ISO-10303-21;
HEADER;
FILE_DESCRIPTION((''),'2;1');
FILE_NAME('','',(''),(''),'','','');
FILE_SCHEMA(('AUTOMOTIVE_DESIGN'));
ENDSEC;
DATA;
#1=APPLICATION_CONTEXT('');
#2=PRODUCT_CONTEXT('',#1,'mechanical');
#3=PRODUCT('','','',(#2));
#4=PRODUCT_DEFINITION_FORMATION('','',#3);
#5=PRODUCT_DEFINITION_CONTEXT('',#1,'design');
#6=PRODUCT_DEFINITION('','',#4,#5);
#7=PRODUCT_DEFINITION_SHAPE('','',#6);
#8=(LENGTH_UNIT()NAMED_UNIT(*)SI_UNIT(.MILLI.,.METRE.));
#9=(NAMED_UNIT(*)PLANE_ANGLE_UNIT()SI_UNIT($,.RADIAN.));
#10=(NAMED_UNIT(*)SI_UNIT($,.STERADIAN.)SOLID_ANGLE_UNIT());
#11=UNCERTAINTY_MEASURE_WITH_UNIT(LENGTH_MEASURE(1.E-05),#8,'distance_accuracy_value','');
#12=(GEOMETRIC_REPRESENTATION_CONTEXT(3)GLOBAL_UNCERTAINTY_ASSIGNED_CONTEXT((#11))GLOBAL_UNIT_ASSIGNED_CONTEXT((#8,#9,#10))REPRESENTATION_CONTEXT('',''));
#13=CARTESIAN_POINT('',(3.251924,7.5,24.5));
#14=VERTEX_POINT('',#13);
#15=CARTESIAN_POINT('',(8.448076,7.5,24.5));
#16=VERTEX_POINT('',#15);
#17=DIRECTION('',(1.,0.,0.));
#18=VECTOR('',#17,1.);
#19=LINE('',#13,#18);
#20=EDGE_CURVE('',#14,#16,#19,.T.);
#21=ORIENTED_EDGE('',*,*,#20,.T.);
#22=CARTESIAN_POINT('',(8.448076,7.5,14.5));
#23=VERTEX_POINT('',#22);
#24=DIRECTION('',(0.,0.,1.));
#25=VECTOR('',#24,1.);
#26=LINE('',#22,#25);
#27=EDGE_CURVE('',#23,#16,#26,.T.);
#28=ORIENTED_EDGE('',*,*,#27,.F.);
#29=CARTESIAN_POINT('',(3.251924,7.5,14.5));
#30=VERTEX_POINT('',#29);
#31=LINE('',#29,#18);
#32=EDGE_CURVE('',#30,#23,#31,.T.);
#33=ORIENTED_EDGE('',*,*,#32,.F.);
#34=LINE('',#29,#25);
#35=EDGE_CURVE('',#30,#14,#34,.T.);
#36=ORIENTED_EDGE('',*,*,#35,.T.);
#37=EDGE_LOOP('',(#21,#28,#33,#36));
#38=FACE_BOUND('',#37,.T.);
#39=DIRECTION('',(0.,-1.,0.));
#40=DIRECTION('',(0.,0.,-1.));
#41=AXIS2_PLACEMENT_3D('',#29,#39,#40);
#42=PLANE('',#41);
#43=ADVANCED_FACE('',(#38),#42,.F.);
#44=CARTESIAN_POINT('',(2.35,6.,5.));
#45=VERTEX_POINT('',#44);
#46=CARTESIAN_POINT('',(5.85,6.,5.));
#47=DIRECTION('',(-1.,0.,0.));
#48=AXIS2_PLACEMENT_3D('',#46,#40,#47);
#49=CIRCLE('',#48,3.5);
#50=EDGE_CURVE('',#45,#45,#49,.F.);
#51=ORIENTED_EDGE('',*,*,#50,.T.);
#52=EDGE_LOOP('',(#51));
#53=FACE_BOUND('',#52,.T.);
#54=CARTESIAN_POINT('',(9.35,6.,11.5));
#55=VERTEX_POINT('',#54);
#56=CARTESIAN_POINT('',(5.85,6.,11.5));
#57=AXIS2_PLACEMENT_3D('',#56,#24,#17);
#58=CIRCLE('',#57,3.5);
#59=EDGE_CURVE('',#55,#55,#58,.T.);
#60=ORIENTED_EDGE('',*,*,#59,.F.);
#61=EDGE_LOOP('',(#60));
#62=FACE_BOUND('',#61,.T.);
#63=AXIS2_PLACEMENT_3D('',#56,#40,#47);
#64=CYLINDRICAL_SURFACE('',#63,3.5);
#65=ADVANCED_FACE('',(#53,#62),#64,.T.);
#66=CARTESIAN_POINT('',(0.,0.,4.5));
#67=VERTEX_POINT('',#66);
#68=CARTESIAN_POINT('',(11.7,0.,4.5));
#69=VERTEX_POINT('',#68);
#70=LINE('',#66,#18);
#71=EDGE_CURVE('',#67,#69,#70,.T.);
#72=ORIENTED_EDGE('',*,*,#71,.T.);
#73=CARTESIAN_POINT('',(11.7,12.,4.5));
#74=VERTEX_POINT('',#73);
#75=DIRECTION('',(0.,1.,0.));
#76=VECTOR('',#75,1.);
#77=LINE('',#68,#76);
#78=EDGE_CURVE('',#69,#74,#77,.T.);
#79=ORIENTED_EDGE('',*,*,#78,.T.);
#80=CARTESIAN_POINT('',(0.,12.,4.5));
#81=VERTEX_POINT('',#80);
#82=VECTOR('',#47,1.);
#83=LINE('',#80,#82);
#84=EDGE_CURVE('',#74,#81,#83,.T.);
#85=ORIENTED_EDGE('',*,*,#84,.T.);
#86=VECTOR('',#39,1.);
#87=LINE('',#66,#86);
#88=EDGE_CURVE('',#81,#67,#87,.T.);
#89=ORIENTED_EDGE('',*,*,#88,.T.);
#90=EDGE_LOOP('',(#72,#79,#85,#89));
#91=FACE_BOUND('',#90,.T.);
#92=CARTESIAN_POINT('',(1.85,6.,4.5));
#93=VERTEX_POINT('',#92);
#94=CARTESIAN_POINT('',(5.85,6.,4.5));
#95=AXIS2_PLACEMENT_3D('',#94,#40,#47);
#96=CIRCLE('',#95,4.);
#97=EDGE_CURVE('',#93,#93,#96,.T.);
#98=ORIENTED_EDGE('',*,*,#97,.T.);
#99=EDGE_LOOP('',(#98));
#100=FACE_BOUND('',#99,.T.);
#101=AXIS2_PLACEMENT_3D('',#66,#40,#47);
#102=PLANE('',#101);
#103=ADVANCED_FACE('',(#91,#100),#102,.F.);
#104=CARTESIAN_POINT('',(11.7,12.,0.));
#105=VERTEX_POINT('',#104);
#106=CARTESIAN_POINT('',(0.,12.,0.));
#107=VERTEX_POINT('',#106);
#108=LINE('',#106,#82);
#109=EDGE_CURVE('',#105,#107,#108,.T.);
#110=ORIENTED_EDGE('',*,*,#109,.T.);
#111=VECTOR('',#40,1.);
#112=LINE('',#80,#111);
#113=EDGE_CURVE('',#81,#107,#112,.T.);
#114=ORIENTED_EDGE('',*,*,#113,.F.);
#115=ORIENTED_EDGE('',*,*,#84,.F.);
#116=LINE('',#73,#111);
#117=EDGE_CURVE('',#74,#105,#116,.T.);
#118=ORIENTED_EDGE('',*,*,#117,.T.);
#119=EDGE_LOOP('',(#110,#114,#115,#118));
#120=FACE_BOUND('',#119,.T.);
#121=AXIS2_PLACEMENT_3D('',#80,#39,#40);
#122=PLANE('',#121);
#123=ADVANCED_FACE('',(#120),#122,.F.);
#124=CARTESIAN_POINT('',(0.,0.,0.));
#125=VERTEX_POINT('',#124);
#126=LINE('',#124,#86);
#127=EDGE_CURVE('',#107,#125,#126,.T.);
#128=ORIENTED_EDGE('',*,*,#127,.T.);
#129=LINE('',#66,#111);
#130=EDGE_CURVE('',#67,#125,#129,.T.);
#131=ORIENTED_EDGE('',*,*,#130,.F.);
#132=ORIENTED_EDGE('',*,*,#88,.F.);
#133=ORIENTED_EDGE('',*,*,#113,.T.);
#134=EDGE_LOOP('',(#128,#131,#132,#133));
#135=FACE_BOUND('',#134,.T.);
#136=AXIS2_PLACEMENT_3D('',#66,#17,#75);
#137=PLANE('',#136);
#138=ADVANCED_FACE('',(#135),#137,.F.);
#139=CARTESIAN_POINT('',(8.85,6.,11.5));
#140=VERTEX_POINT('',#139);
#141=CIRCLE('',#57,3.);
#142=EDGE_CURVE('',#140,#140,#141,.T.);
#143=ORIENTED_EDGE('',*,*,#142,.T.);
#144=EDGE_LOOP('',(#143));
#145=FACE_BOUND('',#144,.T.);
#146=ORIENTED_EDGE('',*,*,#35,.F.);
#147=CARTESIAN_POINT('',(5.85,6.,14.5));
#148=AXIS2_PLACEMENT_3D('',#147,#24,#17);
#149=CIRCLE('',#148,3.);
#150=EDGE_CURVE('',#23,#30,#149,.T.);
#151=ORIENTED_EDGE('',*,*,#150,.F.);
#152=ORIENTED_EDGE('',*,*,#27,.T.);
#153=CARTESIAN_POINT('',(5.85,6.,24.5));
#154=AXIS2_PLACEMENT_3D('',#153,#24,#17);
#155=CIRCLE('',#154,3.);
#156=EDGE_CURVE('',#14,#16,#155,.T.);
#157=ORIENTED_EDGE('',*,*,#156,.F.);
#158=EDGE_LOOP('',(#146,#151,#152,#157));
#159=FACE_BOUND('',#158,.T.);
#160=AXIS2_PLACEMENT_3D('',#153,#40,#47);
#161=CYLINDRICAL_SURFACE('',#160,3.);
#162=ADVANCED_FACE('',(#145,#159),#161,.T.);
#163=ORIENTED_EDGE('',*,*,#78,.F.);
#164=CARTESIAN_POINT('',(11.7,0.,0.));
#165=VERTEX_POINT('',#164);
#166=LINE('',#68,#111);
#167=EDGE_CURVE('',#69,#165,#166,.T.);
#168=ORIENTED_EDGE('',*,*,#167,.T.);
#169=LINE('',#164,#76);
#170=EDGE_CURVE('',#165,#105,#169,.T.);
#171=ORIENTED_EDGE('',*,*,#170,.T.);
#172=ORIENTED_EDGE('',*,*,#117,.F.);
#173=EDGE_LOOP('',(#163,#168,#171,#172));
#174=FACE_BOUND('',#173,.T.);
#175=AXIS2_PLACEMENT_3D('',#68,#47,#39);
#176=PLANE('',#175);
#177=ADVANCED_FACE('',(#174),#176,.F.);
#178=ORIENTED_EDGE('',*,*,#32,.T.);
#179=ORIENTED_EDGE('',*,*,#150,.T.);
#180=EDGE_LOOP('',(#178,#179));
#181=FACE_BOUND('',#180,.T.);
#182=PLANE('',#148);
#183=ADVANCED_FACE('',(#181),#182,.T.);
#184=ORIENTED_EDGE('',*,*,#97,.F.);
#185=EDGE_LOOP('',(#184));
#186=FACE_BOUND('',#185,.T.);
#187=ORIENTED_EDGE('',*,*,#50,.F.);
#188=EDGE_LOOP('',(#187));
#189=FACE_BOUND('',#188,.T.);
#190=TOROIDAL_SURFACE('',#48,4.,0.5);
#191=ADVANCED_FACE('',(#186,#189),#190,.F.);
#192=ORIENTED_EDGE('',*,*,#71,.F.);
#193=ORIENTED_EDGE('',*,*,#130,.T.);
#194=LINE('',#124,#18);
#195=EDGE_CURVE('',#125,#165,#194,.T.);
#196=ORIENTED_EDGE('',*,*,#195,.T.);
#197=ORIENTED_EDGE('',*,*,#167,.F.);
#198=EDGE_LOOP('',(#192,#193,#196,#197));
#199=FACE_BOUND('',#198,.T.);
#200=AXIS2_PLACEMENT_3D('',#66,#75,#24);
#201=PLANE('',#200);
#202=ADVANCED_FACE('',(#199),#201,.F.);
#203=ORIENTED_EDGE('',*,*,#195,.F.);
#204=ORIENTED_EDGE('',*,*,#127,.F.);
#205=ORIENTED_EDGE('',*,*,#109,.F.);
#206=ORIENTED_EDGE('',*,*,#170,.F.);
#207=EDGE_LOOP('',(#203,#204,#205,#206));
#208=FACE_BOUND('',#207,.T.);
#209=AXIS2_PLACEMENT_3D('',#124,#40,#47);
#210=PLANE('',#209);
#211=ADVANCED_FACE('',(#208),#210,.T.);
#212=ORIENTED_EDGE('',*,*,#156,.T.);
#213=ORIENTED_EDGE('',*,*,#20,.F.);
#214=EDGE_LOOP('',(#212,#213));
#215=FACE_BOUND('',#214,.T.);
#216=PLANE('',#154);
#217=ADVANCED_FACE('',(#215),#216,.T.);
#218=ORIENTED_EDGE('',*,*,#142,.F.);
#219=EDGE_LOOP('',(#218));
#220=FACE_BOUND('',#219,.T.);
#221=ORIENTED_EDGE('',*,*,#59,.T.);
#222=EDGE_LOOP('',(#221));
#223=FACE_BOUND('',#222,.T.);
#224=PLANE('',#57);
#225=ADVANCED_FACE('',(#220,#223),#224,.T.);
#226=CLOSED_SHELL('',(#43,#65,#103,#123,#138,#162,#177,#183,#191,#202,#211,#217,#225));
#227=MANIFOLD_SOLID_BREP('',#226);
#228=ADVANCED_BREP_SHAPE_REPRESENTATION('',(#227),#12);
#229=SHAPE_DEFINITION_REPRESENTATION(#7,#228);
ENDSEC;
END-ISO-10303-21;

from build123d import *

# Parameters (mm, degrees)
SKETCH_1_W          = 11.7
SKETCH_1_H          = 12
EXTRUDE_1_DEPTH     = 4.5
SKETCH_2_R          = 3.5
EXTRUDE_2_DEPTH     = 7
SKETCH_3_R          = 3
EXTRUDE_3_DEPTH     = 13
CUT_EXTRUDE_START   = -10
CUT_EXTRUDE_1_DEPTH = 10
FILLET_1_R          = 0.5


with BuildPart() as part:
    # 草图1 → 凸台-拉伸1 (new body)
    with BuildSketch(Plane.XY):
        with Locations((5.85, 6)):
            Rectangle(SKETCH_1_W, SKETCH_1_H)
    extrude(amount=EXTRUDE_1_DEPTH)

    # 草图2 → 凸台-拉伸2 (add)
    with BuildSketch(Plane.XY.offset(4.5)):
        with Locations((5.85, 6)):
            Circle(SKETCH_2_R)
    extrude(amount=EXTRUDE_2_DEPTH)

    # 草图3 → 凸台-拉伸3 (add)
    with BuildSketch(Plane.XY.offset(11.5)):
        with Locations(Location((5.85, 6, 0), (0, 0, 180))):
            Circle(SKETCH_3_R)
    extrude(amount=EXTRUDE_3_DEPTH)

    # 草图4 → 切除-拉伸1 (cut)
    with BuildSketch(Plane.XY.offset(24.5).offset(CUT_EXTRUDE_START)):
        with BuildLine():
            Line((3.251923789, 7.5), (8.448076211, 7.5))
            ThreePointArc((8.448076211, 7.5), (5.85, 9), (3.251923789, 7.5))
        make_face()
    extrude(amount=CUT_EXTRUDE_1_DEPTH, mode=Mode.SUBTRACT)

    # 圆角1
    fillet_1_edges = [part.edges().sort_by_distance(p)[0] for p in [
        (2.35, 6, 4.5),
    ]]
    fillet(fillet_1_edges, radius=FILLET_1_R)


solid = part.part
